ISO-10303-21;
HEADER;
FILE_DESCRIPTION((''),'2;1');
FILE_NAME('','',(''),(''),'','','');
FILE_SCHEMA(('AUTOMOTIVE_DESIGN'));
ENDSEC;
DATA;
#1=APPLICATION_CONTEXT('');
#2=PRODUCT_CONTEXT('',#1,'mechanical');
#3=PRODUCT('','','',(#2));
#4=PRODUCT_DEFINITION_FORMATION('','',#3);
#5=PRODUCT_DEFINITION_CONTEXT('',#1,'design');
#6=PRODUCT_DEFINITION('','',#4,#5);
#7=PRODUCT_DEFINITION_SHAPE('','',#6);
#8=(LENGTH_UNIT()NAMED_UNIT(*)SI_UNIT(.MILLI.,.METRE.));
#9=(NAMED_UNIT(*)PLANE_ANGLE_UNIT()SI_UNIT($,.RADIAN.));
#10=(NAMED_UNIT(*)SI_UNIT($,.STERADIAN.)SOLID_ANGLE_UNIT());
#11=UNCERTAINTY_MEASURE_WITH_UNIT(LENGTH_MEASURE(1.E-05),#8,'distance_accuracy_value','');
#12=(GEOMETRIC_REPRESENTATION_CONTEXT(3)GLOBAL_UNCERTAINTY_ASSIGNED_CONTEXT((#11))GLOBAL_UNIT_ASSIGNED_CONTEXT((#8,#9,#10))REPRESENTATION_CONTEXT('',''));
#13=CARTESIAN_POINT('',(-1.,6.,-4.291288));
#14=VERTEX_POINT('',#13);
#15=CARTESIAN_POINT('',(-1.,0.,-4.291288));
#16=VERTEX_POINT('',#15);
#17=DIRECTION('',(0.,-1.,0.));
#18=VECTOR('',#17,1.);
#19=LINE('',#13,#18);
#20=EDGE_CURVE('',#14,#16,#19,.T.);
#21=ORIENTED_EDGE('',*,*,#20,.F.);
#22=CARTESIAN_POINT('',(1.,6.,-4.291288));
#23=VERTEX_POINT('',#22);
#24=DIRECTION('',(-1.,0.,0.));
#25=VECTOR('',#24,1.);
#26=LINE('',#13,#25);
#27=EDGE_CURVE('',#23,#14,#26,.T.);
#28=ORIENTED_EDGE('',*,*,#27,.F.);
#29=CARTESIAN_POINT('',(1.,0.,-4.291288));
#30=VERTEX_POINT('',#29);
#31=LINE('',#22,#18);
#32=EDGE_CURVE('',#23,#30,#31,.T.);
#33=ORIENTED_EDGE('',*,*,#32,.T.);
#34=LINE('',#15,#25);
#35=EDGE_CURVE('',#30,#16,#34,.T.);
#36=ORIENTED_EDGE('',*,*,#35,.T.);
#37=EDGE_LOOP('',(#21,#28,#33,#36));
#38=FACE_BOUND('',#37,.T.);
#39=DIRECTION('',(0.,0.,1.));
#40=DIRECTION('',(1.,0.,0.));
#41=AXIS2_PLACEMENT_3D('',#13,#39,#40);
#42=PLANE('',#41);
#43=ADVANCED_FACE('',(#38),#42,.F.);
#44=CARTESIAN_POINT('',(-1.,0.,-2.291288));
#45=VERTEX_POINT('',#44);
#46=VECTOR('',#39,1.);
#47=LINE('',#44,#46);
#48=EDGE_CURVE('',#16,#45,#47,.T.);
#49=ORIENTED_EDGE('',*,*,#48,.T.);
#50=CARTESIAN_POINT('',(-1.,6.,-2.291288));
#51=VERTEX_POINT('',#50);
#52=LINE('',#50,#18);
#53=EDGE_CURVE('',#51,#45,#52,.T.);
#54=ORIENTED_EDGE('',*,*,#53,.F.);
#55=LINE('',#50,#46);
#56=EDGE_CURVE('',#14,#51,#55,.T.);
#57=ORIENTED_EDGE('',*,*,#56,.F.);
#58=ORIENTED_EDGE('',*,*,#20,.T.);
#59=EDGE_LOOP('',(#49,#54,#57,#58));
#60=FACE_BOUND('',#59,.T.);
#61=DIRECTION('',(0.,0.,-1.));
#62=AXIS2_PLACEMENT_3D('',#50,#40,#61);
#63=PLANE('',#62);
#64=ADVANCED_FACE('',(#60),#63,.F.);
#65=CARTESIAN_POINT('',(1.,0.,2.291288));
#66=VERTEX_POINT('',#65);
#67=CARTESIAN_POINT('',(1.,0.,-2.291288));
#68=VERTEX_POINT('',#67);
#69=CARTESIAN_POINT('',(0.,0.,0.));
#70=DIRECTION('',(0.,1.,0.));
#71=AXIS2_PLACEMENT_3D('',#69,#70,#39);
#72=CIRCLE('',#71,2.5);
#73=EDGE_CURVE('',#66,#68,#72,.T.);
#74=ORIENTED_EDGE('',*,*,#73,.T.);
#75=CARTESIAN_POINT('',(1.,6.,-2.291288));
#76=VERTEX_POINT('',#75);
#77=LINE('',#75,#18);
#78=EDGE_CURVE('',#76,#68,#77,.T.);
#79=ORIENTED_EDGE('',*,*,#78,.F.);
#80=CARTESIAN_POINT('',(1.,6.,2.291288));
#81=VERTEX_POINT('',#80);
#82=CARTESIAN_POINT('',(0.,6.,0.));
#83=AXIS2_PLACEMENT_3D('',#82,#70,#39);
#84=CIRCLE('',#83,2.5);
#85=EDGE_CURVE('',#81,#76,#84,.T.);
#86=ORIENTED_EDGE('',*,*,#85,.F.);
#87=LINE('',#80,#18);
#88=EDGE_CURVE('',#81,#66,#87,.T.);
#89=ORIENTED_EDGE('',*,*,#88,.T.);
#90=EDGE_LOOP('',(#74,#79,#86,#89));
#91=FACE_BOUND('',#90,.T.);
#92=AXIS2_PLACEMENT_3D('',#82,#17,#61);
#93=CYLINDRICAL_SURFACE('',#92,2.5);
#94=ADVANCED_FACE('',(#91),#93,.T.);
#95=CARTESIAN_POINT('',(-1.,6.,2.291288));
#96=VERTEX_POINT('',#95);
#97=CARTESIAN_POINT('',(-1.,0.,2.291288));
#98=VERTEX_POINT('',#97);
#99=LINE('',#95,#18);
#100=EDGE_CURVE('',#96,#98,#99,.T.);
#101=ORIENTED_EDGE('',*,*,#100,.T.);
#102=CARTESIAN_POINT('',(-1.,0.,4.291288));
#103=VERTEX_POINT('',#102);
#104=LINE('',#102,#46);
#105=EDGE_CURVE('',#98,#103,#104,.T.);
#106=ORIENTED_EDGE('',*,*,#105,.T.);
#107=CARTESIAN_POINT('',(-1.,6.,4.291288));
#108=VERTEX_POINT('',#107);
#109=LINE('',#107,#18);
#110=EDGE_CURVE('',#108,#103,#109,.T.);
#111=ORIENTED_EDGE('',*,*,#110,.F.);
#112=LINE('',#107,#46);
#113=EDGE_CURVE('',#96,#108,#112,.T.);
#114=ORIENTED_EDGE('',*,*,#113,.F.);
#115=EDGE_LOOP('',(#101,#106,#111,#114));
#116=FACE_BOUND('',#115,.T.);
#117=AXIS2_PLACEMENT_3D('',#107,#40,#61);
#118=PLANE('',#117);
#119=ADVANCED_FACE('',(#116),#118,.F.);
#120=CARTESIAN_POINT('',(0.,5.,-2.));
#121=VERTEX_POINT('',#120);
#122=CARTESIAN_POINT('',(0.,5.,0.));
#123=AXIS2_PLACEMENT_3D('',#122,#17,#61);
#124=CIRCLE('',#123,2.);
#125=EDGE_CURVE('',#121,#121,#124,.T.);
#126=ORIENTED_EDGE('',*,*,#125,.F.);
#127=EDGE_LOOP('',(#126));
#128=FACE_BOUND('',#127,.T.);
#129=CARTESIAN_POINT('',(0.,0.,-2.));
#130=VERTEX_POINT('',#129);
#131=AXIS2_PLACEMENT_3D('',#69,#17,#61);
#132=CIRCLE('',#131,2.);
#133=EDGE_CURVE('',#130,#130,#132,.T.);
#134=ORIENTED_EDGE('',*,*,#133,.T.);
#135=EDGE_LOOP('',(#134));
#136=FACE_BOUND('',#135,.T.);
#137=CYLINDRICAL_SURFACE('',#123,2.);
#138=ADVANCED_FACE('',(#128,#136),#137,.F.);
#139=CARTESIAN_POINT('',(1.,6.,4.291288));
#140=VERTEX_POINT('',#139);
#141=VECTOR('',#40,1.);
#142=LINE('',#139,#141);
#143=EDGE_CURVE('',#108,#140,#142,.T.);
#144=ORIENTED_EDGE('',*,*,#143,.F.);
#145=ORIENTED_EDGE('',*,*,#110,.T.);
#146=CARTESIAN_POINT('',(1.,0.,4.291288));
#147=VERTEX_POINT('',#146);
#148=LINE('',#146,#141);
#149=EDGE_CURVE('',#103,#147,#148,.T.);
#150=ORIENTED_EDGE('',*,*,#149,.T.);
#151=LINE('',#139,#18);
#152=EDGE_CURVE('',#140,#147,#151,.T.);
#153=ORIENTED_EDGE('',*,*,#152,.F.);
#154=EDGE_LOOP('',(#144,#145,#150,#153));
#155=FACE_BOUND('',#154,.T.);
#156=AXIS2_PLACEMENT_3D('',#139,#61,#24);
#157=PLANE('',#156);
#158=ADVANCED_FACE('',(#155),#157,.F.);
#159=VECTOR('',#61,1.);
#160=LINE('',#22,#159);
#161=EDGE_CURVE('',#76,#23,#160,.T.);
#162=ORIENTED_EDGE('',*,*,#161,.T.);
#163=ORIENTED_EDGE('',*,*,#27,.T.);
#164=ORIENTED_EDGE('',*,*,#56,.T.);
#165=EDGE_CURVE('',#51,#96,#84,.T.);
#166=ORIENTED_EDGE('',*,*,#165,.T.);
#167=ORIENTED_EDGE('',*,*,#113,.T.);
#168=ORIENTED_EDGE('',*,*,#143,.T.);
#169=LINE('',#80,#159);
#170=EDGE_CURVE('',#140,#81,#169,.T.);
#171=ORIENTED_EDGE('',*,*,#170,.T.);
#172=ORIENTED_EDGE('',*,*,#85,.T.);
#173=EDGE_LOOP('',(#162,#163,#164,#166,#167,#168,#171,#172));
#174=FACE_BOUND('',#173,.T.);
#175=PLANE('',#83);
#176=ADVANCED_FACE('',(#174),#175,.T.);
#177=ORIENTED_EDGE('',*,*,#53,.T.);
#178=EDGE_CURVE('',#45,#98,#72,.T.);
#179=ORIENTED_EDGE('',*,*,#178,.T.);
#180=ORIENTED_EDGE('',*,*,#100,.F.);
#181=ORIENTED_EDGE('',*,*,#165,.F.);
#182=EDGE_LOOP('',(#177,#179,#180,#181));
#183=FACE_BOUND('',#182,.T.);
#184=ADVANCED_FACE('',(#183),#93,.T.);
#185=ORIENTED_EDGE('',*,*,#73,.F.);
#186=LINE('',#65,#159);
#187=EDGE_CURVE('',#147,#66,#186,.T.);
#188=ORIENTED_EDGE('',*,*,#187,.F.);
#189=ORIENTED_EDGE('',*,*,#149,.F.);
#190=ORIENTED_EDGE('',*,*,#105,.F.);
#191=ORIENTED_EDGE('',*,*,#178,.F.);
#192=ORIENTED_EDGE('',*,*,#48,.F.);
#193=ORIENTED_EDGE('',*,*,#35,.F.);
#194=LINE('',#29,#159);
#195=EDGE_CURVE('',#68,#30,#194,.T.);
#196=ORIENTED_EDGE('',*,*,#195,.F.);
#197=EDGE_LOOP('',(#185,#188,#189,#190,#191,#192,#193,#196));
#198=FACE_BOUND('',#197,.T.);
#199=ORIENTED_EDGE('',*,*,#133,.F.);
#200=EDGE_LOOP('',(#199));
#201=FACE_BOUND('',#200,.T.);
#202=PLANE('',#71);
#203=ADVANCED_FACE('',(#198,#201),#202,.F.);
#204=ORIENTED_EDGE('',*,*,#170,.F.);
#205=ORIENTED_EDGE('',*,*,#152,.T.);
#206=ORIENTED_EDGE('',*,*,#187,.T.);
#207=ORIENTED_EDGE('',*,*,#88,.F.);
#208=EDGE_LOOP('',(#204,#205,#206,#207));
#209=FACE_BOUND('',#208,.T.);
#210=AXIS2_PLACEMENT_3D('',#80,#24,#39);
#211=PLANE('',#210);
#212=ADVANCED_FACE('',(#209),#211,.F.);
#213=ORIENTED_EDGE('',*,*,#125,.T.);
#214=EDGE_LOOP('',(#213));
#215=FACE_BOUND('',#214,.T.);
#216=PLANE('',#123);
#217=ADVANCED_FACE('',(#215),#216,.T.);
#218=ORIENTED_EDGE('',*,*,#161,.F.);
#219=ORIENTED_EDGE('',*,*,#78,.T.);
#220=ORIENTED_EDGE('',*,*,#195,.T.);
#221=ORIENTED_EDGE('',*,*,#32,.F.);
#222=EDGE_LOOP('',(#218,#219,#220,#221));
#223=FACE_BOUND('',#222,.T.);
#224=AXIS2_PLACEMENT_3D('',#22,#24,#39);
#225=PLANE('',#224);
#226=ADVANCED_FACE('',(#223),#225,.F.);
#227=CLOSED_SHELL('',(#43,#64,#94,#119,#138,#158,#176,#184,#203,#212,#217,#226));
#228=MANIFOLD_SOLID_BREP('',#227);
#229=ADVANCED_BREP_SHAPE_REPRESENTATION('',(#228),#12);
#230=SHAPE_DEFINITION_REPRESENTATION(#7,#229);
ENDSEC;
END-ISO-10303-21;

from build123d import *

# Parameters (mm, degrees)
BOSS_EXTRUDE1_DEPTH = 6
SKETCH3_R           = 2
CUT_EXTRUDE1_DEPTH  = 5


with BuildPart() as part:
    # Sketch1 → Boss-Extrude1 (new body)
    with BuildSketch(Plane(origin=(0, 0, 0), x_dir=(1, 0, 0), z_dir=(0, 1, 0))):
        with BuildLine():
            Line((-1, 2.291287847), (-1, 4.291287847))
            Line((-1, 4.291287847), (1, 4.291287847))
            Line((1, 4.291287847), (1, 2.291287847))
            ThreePointArc((1, 2.291287847), (2.5, 0), (1, -2.291287847))
            Line((1, -2.291287847), (1, -4.291287847))
            Line((1, -4.291287847), (-1, -4.291287847))
            Line((-1, -4.291287847), (-1, -2.291287847))
            ThreePointArc((-1, -2.291287847), (-2.5, 0), (-1, 2.291287847))
        make_face()
    extrude(amount=BOSS_EXTRUDE1_DEPTH)

    # Sketch3 → Cut-Extrude1 (cut)
    with BuildSketch(Plane.XZ):
        with Locations(Location((0, 0, 0), (0, 0, 270))):
            Circle(SKETCH3_R)
    extrude(amount=-CUT_EXTRUDE1_DEPTH, mode=Mode.SUBTRACT)


solid = part.part
